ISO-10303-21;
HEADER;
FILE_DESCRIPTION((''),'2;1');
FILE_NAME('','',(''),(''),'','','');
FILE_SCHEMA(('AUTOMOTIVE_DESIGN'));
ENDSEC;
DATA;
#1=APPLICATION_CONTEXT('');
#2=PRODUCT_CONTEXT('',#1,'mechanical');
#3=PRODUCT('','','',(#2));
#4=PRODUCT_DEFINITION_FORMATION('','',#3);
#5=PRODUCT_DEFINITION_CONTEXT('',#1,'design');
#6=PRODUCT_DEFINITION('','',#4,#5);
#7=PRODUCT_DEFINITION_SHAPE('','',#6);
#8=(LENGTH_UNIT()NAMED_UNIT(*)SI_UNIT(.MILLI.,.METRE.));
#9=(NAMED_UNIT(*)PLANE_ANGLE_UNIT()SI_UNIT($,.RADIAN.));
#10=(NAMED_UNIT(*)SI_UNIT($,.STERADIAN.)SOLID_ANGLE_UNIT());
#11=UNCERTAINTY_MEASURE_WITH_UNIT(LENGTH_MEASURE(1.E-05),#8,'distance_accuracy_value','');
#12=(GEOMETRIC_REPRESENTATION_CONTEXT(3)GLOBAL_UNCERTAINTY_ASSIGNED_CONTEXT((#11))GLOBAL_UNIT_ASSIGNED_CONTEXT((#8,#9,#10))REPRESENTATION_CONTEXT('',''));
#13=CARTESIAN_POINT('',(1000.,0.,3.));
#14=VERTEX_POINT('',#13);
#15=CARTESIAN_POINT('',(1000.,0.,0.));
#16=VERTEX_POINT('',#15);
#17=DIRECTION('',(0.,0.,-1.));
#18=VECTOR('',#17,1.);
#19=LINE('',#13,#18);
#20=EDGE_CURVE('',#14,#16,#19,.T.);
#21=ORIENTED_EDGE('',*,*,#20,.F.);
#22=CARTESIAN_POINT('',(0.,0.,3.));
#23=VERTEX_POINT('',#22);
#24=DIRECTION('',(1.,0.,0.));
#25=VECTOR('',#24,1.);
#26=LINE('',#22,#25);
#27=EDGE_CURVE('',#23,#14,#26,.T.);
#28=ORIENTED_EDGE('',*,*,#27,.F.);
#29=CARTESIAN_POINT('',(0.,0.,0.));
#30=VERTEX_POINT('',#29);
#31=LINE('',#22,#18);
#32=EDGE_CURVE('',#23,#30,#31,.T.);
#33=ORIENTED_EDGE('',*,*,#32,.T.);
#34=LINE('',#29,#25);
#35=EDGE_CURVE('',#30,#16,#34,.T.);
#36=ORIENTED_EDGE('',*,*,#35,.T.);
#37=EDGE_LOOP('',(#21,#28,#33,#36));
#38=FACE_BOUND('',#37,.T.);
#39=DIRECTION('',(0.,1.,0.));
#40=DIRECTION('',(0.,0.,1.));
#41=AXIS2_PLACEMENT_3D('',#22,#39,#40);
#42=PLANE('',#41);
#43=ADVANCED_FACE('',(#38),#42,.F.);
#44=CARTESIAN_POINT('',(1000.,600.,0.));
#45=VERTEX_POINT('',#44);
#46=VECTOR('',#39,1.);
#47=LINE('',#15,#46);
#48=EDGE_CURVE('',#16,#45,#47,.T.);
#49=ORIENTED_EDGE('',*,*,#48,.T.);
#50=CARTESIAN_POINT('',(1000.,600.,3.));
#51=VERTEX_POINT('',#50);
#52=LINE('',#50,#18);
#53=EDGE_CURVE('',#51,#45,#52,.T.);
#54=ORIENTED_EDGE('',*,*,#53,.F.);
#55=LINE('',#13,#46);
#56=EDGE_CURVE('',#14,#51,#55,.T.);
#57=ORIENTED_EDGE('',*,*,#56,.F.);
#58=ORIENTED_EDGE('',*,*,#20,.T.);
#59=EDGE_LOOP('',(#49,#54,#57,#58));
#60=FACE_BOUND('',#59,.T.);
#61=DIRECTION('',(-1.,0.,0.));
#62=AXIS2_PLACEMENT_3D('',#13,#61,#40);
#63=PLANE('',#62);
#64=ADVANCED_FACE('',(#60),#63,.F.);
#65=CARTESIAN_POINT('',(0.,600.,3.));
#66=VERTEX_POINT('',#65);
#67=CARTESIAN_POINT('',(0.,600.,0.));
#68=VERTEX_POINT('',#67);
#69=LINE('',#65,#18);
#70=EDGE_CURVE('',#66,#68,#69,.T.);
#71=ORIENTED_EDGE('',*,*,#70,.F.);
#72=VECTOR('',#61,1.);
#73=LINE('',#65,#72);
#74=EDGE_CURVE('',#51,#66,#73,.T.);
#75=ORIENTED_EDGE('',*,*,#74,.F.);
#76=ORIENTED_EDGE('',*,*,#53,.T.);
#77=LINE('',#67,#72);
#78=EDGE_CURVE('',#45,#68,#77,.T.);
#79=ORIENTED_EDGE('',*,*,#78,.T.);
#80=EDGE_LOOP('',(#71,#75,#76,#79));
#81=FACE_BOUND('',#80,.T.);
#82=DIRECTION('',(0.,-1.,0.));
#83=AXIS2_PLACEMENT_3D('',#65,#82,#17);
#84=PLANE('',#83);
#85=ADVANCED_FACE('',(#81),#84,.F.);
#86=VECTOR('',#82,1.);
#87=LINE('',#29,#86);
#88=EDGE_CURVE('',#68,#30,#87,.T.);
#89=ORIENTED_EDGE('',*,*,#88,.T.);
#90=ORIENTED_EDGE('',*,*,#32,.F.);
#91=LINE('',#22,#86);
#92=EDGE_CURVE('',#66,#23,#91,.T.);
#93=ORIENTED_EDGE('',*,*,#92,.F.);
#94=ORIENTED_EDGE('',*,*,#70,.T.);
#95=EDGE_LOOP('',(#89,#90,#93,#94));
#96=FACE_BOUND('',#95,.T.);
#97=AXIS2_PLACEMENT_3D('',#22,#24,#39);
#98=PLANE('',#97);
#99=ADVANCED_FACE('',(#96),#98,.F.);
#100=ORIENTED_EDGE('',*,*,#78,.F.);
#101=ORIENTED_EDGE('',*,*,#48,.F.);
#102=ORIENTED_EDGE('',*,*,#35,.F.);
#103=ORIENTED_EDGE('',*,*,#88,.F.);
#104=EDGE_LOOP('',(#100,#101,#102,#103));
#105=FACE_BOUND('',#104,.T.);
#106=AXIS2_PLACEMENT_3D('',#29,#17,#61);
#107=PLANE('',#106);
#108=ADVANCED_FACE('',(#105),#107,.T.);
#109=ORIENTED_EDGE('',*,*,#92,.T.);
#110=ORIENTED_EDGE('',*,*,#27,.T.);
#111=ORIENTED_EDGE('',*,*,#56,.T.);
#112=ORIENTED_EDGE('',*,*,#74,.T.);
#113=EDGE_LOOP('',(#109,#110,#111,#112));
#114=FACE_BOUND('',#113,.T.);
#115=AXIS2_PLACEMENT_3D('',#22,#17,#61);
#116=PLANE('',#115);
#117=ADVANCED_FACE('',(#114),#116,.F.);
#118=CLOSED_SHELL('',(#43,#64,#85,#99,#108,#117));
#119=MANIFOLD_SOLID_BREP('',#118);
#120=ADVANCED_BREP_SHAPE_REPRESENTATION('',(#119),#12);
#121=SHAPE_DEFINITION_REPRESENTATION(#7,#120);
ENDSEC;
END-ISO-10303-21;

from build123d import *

# Parameters (mm, degrees)
SKETCH_1_W      = 1000
SKETCH_1_H      = 600
EXTRUDE_1_DEPTH = 3


with BuildPart() as part:
    # 草图1 → 凸台-拉伸1 (new body)
    with BuildSketch(Plane.XY):
        with Locations((500, 300)):
            Rectangle(SKETCH_1_W, SKETCH_1_H)
    extrude(amount=EXTRUDE_1_DEPTH)


solid = part.part
